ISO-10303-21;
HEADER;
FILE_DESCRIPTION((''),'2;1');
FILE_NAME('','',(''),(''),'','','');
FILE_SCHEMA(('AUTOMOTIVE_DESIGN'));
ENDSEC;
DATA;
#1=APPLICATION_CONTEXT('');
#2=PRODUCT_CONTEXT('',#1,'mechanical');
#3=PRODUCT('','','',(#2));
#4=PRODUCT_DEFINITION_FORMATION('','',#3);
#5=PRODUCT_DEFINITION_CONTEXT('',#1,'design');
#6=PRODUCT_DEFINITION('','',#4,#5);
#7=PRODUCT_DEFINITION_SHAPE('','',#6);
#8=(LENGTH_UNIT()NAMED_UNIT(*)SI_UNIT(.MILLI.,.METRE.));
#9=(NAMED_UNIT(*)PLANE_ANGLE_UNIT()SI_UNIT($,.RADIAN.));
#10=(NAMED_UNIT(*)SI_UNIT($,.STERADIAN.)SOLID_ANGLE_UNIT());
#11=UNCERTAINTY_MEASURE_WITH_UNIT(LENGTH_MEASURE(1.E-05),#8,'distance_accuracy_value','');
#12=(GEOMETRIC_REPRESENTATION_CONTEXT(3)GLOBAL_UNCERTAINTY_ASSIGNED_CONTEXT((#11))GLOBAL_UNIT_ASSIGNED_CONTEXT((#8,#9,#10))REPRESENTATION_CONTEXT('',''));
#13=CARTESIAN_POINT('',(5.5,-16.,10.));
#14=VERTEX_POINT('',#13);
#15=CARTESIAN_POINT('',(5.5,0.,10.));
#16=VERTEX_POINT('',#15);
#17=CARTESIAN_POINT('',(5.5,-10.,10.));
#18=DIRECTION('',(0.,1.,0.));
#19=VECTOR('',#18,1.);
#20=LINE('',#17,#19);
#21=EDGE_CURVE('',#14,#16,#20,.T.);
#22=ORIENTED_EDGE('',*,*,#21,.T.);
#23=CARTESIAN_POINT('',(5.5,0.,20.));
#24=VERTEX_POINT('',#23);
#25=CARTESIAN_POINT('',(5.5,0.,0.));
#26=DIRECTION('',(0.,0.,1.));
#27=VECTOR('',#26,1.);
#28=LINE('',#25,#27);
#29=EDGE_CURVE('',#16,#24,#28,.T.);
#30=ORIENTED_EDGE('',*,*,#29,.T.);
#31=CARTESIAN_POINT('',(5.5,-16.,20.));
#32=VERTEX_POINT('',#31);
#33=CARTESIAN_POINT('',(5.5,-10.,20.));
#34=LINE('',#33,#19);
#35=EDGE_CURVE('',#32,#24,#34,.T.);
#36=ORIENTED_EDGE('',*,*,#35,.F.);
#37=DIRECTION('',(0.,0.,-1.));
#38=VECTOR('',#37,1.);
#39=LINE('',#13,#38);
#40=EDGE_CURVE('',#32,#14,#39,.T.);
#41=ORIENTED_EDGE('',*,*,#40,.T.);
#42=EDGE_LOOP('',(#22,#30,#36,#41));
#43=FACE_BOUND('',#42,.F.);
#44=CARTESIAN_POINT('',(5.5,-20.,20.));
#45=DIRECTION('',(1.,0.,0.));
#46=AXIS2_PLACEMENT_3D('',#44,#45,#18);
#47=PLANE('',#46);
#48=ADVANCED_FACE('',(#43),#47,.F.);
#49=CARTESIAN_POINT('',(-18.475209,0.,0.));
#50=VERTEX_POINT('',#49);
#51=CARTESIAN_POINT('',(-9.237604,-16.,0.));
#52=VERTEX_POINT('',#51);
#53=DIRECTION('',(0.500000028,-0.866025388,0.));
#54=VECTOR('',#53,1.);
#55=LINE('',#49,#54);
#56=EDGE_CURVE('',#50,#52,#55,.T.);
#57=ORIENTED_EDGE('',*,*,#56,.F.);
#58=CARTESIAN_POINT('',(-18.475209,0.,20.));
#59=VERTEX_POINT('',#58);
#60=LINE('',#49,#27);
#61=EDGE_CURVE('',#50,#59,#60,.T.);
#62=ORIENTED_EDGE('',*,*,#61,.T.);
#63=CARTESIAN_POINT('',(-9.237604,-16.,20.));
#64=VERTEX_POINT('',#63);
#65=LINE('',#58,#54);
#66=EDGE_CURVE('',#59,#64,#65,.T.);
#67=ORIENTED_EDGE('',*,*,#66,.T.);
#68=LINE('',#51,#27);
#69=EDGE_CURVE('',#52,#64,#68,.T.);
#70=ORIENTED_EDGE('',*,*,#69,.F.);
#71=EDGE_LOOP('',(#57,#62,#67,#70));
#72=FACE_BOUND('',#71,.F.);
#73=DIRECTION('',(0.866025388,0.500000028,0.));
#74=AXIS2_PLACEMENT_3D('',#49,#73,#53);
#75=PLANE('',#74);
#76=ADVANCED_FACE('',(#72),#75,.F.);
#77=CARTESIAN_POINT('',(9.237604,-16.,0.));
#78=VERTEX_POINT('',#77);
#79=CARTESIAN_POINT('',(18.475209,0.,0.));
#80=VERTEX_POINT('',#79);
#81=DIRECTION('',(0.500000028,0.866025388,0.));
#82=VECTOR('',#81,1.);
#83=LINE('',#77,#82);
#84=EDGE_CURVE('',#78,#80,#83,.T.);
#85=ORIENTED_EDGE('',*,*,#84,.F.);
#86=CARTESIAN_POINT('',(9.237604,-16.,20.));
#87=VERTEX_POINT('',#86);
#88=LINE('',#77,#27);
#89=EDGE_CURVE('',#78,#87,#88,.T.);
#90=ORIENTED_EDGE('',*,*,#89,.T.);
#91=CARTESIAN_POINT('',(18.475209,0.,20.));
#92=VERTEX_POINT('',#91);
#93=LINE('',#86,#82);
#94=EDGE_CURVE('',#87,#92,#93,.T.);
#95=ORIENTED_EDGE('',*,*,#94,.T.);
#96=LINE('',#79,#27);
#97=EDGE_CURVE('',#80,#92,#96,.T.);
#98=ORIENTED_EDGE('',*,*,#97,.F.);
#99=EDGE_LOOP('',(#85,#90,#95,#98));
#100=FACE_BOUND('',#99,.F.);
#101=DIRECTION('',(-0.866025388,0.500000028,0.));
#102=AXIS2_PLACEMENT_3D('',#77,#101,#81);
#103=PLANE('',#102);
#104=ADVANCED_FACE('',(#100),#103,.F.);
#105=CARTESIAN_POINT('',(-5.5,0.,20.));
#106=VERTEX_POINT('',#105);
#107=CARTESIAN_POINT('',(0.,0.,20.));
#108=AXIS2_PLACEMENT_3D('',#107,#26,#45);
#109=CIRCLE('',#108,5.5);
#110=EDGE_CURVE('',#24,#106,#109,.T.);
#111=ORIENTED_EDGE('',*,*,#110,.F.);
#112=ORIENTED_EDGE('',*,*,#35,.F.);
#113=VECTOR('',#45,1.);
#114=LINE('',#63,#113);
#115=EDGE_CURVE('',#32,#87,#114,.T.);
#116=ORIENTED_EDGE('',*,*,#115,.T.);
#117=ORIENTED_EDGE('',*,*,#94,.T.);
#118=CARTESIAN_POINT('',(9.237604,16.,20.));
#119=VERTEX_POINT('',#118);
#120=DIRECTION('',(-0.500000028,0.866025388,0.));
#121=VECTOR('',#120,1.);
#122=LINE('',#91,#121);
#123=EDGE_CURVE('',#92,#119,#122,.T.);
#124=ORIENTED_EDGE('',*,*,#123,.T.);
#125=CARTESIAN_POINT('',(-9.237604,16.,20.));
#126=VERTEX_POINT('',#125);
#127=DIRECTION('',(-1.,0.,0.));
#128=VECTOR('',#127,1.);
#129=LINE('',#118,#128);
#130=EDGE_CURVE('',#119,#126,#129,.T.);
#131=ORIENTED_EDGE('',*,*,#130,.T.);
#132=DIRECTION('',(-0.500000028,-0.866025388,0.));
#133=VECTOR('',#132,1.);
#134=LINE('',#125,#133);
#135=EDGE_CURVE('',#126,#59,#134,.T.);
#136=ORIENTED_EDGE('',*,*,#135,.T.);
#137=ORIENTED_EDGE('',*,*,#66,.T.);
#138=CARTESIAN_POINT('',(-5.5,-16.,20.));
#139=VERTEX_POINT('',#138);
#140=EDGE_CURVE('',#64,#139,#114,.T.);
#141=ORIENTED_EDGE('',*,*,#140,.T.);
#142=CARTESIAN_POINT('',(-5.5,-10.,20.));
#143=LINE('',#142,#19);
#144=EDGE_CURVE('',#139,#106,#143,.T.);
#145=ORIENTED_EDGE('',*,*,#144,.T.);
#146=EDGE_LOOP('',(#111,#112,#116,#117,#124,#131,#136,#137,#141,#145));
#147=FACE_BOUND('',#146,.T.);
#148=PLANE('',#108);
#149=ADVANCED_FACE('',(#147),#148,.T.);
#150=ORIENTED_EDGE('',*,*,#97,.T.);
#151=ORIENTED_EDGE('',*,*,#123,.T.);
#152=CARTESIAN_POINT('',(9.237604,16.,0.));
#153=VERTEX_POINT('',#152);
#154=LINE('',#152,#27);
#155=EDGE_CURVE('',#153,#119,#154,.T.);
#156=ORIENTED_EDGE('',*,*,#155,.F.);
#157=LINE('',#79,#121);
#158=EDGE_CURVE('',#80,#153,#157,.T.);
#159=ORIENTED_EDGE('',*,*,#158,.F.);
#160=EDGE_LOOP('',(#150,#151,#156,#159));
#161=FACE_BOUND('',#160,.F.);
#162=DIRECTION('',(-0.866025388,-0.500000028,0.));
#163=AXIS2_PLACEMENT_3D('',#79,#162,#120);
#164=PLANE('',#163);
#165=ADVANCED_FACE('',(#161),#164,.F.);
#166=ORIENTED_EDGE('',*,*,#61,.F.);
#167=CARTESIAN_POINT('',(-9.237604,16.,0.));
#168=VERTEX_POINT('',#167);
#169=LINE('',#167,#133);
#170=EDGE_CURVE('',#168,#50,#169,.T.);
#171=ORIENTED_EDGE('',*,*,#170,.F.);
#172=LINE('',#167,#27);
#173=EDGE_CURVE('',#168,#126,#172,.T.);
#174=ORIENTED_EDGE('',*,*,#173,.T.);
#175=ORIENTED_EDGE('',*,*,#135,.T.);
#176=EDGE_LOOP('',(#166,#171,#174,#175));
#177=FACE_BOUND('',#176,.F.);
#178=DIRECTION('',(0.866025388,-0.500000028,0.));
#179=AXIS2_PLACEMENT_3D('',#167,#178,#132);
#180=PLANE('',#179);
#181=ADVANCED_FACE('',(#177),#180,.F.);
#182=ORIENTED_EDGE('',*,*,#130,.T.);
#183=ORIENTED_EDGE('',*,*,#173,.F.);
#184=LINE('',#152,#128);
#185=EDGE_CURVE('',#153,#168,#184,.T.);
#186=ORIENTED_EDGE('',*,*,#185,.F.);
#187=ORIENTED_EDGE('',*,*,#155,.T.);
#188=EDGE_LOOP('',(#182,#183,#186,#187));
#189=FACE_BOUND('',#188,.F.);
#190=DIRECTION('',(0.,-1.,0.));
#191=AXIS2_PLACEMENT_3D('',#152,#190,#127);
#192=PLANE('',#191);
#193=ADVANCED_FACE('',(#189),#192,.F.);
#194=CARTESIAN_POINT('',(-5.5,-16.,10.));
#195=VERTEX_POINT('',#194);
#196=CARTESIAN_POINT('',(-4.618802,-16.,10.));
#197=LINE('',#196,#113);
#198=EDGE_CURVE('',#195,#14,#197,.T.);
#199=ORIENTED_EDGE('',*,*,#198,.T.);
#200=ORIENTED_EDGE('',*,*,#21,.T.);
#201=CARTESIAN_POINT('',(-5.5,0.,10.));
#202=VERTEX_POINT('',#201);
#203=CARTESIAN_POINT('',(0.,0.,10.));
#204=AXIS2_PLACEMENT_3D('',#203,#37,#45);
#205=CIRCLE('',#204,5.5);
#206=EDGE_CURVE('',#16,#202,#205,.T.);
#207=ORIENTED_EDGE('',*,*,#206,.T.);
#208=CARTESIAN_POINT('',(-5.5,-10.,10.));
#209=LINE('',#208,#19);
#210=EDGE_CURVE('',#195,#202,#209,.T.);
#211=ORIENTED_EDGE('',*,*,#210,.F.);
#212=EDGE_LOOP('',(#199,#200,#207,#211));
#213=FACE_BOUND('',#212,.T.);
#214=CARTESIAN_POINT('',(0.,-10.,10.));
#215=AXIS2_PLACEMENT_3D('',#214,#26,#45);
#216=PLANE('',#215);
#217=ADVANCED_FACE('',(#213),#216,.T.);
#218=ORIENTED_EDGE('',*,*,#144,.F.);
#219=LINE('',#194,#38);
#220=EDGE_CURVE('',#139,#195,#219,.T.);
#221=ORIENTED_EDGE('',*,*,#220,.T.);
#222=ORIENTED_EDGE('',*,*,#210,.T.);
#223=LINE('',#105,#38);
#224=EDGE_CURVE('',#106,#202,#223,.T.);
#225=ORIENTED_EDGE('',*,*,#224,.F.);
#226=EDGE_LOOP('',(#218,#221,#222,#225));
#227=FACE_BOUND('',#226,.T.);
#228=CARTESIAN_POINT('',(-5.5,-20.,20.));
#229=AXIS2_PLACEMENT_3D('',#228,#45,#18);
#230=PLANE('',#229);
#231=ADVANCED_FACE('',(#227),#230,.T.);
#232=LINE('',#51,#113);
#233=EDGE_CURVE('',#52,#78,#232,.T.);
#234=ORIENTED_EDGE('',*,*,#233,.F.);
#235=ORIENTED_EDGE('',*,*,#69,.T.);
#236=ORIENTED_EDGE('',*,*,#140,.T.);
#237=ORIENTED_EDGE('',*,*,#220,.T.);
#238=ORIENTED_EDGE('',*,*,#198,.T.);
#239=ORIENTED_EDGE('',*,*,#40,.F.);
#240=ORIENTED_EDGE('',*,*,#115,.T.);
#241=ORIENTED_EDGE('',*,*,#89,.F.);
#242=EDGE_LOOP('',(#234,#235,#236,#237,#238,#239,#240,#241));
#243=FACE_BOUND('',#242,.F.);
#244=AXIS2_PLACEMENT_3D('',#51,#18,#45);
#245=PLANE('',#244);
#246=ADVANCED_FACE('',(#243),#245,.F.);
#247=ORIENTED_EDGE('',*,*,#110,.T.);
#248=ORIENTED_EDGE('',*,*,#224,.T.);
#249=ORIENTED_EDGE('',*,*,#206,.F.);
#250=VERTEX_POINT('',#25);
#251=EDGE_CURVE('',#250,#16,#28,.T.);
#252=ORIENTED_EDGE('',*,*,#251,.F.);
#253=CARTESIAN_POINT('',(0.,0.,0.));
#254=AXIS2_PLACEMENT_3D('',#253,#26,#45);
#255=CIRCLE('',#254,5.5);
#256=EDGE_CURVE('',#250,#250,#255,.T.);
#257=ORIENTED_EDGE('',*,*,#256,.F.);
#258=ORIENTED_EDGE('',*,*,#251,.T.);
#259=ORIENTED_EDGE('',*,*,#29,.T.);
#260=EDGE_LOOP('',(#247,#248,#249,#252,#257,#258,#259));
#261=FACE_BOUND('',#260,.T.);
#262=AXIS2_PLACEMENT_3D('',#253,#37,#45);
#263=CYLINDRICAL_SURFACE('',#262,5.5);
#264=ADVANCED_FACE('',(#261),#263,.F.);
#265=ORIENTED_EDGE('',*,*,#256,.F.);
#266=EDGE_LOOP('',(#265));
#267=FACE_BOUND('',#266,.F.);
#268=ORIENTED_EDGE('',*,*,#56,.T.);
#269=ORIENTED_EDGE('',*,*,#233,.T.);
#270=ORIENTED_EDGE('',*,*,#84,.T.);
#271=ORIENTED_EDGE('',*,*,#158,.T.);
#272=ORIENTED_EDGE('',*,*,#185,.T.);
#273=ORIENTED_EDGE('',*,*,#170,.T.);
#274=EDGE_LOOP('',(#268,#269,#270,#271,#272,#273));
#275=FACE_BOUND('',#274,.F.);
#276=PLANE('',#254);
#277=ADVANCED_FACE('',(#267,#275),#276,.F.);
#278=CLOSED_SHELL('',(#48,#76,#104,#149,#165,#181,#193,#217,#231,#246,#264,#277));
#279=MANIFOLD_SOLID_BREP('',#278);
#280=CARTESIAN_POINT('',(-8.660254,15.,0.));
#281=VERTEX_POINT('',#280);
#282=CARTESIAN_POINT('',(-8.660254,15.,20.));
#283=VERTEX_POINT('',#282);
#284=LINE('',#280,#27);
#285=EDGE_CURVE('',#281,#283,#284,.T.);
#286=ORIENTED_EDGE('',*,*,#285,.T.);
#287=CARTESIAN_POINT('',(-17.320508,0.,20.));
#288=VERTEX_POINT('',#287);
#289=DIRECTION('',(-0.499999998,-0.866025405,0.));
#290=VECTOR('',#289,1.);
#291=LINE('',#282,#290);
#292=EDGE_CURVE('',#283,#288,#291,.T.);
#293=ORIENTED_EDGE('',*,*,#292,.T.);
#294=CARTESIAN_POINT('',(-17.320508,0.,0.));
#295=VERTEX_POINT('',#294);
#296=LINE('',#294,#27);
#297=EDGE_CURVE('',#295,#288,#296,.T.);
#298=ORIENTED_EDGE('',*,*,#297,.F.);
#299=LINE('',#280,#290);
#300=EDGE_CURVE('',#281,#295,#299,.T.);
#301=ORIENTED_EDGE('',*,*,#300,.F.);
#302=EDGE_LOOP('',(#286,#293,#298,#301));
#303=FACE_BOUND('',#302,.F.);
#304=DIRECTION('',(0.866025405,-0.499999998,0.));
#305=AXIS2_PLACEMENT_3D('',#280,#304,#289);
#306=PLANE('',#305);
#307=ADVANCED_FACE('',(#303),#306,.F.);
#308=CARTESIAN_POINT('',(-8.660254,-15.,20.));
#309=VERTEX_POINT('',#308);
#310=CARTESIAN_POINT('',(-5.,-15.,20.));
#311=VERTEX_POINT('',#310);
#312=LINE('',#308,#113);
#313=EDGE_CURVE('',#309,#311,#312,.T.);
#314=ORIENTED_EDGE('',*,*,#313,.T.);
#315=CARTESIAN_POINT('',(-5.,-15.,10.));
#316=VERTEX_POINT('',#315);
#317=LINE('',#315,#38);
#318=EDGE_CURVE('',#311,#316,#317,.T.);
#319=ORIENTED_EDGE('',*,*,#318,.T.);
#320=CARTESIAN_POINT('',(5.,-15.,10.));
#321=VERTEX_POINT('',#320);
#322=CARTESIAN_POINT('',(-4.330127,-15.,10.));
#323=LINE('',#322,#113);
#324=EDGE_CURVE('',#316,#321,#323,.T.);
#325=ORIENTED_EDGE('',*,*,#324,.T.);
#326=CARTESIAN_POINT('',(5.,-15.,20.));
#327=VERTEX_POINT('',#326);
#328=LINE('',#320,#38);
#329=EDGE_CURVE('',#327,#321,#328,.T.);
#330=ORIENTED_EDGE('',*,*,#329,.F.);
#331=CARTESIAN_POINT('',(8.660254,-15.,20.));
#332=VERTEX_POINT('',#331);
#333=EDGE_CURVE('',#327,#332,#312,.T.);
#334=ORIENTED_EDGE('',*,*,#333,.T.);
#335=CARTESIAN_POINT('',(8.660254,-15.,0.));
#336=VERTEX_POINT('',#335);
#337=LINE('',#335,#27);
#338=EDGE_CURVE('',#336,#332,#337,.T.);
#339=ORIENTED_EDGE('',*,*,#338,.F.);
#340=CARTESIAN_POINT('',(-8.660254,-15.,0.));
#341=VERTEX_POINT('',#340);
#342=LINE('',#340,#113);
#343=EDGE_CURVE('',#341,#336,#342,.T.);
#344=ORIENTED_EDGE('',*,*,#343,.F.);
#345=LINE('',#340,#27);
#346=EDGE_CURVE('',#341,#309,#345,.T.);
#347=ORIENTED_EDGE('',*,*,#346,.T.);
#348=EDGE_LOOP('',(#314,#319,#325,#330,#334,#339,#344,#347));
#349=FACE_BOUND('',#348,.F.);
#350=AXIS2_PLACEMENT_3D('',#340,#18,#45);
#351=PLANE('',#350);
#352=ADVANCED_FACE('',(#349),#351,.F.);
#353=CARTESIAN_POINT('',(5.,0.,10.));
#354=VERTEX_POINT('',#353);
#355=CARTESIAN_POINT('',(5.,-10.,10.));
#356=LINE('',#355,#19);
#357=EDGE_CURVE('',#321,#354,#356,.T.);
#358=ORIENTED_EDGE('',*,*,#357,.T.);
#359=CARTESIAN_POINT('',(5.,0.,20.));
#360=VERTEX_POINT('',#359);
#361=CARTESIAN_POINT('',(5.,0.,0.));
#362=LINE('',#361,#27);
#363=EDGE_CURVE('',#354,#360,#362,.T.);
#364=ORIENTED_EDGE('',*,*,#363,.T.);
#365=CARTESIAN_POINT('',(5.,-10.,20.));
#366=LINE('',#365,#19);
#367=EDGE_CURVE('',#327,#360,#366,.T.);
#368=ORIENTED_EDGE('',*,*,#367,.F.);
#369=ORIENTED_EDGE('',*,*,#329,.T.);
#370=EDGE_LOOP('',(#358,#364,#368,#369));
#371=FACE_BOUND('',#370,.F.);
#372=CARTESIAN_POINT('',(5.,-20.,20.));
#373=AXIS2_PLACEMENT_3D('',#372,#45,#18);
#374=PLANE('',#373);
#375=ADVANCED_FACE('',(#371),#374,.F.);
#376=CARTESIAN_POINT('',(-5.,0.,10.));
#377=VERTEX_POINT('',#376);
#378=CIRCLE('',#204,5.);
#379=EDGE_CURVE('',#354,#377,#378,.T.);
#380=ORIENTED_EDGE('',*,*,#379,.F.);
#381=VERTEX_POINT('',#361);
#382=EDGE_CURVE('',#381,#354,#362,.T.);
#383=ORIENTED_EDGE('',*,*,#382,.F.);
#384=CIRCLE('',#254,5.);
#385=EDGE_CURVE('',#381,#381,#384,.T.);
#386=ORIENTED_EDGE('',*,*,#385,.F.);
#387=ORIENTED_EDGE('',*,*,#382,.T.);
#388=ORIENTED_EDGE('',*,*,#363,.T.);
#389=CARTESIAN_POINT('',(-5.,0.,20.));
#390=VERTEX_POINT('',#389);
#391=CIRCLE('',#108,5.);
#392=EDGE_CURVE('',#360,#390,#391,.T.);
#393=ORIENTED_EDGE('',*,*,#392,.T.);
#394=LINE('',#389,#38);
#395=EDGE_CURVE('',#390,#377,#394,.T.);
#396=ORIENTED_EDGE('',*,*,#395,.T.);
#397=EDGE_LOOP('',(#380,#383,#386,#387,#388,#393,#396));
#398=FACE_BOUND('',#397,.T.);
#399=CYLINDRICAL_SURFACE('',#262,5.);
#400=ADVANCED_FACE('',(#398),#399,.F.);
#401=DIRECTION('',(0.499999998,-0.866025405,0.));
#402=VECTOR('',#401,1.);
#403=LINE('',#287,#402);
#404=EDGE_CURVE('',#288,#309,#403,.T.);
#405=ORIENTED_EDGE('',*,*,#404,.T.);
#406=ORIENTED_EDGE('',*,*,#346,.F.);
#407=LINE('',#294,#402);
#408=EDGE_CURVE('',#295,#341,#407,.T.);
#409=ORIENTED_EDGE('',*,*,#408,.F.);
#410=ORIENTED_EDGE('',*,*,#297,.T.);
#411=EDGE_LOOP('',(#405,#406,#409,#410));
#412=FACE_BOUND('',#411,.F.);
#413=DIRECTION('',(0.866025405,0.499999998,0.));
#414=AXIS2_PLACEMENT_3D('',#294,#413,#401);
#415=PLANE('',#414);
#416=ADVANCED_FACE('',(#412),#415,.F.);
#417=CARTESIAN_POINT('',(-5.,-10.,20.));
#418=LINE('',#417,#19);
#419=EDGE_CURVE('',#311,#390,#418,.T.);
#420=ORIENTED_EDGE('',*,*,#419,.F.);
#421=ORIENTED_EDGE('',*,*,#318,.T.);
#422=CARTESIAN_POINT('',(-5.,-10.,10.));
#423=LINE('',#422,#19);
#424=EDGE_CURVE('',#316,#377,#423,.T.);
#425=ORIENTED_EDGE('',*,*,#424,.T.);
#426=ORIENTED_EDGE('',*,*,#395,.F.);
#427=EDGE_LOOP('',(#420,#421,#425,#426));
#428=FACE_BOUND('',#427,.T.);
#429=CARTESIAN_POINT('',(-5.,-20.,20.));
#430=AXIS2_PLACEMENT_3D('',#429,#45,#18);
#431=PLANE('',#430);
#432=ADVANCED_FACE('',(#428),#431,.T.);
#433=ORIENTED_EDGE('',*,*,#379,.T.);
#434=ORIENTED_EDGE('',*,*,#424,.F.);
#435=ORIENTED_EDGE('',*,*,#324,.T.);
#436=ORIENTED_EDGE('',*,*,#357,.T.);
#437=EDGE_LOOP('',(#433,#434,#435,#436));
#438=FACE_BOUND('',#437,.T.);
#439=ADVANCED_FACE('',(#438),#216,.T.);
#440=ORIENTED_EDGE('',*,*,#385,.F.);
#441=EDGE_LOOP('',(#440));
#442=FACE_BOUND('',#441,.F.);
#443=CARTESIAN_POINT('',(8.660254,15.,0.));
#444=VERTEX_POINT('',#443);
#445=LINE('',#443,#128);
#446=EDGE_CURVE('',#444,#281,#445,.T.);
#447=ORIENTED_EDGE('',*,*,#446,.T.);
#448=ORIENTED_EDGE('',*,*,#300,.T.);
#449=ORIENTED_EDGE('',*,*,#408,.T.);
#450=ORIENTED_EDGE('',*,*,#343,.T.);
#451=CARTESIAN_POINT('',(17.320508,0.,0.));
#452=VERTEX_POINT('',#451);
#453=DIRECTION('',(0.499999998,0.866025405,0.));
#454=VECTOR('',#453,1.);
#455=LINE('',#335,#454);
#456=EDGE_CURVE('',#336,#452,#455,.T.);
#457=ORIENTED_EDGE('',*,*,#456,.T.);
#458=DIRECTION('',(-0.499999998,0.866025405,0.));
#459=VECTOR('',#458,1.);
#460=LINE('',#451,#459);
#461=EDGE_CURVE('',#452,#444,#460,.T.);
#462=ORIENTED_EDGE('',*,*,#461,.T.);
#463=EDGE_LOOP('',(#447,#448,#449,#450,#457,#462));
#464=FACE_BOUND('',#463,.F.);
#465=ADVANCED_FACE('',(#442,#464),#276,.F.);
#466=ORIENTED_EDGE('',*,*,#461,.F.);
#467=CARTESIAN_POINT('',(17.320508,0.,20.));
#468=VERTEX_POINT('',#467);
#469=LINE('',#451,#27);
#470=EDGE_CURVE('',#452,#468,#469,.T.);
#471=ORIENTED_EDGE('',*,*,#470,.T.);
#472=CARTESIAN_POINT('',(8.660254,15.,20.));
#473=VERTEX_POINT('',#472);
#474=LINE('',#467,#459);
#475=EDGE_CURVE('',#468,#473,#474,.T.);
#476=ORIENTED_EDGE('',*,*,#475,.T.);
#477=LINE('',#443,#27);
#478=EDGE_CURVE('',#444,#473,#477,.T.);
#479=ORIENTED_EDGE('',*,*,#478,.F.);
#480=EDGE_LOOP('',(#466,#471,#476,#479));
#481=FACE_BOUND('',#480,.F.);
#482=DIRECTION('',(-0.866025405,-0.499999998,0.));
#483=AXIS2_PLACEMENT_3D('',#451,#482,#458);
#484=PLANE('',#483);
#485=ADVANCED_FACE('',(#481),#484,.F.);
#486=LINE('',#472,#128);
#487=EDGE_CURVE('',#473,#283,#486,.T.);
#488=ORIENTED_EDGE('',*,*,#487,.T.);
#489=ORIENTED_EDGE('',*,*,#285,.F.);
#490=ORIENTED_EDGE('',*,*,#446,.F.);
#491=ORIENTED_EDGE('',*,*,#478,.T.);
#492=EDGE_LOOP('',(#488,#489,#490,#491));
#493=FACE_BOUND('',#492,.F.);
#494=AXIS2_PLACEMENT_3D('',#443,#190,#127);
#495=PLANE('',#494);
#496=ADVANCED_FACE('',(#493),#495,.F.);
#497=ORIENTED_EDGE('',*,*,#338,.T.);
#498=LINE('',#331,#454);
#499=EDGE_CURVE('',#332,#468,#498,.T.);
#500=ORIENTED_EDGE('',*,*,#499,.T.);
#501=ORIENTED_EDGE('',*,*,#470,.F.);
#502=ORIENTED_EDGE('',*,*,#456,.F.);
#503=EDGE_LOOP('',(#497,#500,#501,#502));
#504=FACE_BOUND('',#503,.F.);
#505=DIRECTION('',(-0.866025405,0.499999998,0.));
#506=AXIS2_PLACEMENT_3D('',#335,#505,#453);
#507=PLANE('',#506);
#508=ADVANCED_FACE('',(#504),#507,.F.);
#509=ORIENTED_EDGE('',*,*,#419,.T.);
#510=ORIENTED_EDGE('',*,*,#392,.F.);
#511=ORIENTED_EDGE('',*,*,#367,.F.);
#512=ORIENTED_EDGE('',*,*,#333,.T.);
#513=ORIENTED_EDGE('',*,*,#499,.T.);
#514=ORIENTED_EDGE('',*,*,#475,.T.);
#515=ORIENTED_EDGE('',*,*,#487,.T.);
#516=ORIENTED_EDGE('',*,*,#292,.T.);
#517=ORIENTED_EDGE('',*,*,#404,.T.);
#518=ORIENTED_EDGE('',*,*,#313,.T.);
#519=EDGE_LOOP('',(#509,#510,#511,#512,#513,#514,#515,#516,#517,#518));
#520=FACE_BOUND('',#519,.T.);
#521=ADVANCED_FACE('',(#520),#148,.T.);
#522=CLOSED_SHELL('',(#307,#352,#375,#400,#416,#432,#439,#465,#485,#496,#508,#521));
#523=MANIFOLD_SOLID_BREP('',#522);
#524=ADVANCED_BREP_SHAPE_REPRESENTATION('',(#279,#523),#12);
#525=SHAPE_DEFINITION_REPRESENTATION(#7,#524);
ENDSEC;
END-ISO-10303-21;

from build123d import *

# Parameters (mm, degrees)
SKETCH_R        = 5
PAD_DEPTH       = 20
SKETCH001_W     = 10
SKETCH001_H     = 20
POCKET_DEPTH    = 10
SKETCH002_R     = 5.5
PAD001_DEPTH    = 20
SKETCH003_W     = 11
SKETCH003_H     = 20
POCKET001_DEPTH = 10


with BuildPart() as body30mm:
    # Sketch → Pad (new body)
    with BuildSketch(Plane.XY):
        Polygon((17.320508, 0), (8.660254, 15), (-8.660254, 15), (-17.320508, 0), (-8.660254, -15), (8.660254, -15), align=None)
        Circle(SKETCH_R, mode=Mode.SUBTRACT)
    extrude(amount=PAD_DEPTH)

    # Sketch001 (on Face9 of Pad) → Pocket (cut)
    with BuildSketch(Plane.XY.offset(20)):
        with Locations((0, -10)):
            Rectangle(SKETCH001_W, SKETCH001_H)
    extrude(amount=-POCKET_DEPTH, mode=Mode.SUBTRACT)


with BuildPart() as body32mm:
    # Sketch002 → Pad001 (new body)
    with BuildSketch(Plane.XY):
        Polygon((18.475209, 0), (9.237604, 16), (-9.237604, 16), (-18.475209, 0), (-9.237604, -16), (9.237604, -16), align=None)
        Circle(SKETCH002_R, mode=Mode.SUBTRACT)
    extrude(amount=PAD001_DEPTH)

    # Sketch003 (on Face9 of Pad001) → Pocket001 (cut)
    with BuildSketch(Plane.XY.offset(20)):
        with Locations((0, -10)):
            Rectangle(SKETCH003_W, SKETCH003_H)
    extrude(amount=-POCKET001_DEPTH, mode=Mode.SUBTRACT)


solid = Compound([body30mm.part, body32mm.part])
